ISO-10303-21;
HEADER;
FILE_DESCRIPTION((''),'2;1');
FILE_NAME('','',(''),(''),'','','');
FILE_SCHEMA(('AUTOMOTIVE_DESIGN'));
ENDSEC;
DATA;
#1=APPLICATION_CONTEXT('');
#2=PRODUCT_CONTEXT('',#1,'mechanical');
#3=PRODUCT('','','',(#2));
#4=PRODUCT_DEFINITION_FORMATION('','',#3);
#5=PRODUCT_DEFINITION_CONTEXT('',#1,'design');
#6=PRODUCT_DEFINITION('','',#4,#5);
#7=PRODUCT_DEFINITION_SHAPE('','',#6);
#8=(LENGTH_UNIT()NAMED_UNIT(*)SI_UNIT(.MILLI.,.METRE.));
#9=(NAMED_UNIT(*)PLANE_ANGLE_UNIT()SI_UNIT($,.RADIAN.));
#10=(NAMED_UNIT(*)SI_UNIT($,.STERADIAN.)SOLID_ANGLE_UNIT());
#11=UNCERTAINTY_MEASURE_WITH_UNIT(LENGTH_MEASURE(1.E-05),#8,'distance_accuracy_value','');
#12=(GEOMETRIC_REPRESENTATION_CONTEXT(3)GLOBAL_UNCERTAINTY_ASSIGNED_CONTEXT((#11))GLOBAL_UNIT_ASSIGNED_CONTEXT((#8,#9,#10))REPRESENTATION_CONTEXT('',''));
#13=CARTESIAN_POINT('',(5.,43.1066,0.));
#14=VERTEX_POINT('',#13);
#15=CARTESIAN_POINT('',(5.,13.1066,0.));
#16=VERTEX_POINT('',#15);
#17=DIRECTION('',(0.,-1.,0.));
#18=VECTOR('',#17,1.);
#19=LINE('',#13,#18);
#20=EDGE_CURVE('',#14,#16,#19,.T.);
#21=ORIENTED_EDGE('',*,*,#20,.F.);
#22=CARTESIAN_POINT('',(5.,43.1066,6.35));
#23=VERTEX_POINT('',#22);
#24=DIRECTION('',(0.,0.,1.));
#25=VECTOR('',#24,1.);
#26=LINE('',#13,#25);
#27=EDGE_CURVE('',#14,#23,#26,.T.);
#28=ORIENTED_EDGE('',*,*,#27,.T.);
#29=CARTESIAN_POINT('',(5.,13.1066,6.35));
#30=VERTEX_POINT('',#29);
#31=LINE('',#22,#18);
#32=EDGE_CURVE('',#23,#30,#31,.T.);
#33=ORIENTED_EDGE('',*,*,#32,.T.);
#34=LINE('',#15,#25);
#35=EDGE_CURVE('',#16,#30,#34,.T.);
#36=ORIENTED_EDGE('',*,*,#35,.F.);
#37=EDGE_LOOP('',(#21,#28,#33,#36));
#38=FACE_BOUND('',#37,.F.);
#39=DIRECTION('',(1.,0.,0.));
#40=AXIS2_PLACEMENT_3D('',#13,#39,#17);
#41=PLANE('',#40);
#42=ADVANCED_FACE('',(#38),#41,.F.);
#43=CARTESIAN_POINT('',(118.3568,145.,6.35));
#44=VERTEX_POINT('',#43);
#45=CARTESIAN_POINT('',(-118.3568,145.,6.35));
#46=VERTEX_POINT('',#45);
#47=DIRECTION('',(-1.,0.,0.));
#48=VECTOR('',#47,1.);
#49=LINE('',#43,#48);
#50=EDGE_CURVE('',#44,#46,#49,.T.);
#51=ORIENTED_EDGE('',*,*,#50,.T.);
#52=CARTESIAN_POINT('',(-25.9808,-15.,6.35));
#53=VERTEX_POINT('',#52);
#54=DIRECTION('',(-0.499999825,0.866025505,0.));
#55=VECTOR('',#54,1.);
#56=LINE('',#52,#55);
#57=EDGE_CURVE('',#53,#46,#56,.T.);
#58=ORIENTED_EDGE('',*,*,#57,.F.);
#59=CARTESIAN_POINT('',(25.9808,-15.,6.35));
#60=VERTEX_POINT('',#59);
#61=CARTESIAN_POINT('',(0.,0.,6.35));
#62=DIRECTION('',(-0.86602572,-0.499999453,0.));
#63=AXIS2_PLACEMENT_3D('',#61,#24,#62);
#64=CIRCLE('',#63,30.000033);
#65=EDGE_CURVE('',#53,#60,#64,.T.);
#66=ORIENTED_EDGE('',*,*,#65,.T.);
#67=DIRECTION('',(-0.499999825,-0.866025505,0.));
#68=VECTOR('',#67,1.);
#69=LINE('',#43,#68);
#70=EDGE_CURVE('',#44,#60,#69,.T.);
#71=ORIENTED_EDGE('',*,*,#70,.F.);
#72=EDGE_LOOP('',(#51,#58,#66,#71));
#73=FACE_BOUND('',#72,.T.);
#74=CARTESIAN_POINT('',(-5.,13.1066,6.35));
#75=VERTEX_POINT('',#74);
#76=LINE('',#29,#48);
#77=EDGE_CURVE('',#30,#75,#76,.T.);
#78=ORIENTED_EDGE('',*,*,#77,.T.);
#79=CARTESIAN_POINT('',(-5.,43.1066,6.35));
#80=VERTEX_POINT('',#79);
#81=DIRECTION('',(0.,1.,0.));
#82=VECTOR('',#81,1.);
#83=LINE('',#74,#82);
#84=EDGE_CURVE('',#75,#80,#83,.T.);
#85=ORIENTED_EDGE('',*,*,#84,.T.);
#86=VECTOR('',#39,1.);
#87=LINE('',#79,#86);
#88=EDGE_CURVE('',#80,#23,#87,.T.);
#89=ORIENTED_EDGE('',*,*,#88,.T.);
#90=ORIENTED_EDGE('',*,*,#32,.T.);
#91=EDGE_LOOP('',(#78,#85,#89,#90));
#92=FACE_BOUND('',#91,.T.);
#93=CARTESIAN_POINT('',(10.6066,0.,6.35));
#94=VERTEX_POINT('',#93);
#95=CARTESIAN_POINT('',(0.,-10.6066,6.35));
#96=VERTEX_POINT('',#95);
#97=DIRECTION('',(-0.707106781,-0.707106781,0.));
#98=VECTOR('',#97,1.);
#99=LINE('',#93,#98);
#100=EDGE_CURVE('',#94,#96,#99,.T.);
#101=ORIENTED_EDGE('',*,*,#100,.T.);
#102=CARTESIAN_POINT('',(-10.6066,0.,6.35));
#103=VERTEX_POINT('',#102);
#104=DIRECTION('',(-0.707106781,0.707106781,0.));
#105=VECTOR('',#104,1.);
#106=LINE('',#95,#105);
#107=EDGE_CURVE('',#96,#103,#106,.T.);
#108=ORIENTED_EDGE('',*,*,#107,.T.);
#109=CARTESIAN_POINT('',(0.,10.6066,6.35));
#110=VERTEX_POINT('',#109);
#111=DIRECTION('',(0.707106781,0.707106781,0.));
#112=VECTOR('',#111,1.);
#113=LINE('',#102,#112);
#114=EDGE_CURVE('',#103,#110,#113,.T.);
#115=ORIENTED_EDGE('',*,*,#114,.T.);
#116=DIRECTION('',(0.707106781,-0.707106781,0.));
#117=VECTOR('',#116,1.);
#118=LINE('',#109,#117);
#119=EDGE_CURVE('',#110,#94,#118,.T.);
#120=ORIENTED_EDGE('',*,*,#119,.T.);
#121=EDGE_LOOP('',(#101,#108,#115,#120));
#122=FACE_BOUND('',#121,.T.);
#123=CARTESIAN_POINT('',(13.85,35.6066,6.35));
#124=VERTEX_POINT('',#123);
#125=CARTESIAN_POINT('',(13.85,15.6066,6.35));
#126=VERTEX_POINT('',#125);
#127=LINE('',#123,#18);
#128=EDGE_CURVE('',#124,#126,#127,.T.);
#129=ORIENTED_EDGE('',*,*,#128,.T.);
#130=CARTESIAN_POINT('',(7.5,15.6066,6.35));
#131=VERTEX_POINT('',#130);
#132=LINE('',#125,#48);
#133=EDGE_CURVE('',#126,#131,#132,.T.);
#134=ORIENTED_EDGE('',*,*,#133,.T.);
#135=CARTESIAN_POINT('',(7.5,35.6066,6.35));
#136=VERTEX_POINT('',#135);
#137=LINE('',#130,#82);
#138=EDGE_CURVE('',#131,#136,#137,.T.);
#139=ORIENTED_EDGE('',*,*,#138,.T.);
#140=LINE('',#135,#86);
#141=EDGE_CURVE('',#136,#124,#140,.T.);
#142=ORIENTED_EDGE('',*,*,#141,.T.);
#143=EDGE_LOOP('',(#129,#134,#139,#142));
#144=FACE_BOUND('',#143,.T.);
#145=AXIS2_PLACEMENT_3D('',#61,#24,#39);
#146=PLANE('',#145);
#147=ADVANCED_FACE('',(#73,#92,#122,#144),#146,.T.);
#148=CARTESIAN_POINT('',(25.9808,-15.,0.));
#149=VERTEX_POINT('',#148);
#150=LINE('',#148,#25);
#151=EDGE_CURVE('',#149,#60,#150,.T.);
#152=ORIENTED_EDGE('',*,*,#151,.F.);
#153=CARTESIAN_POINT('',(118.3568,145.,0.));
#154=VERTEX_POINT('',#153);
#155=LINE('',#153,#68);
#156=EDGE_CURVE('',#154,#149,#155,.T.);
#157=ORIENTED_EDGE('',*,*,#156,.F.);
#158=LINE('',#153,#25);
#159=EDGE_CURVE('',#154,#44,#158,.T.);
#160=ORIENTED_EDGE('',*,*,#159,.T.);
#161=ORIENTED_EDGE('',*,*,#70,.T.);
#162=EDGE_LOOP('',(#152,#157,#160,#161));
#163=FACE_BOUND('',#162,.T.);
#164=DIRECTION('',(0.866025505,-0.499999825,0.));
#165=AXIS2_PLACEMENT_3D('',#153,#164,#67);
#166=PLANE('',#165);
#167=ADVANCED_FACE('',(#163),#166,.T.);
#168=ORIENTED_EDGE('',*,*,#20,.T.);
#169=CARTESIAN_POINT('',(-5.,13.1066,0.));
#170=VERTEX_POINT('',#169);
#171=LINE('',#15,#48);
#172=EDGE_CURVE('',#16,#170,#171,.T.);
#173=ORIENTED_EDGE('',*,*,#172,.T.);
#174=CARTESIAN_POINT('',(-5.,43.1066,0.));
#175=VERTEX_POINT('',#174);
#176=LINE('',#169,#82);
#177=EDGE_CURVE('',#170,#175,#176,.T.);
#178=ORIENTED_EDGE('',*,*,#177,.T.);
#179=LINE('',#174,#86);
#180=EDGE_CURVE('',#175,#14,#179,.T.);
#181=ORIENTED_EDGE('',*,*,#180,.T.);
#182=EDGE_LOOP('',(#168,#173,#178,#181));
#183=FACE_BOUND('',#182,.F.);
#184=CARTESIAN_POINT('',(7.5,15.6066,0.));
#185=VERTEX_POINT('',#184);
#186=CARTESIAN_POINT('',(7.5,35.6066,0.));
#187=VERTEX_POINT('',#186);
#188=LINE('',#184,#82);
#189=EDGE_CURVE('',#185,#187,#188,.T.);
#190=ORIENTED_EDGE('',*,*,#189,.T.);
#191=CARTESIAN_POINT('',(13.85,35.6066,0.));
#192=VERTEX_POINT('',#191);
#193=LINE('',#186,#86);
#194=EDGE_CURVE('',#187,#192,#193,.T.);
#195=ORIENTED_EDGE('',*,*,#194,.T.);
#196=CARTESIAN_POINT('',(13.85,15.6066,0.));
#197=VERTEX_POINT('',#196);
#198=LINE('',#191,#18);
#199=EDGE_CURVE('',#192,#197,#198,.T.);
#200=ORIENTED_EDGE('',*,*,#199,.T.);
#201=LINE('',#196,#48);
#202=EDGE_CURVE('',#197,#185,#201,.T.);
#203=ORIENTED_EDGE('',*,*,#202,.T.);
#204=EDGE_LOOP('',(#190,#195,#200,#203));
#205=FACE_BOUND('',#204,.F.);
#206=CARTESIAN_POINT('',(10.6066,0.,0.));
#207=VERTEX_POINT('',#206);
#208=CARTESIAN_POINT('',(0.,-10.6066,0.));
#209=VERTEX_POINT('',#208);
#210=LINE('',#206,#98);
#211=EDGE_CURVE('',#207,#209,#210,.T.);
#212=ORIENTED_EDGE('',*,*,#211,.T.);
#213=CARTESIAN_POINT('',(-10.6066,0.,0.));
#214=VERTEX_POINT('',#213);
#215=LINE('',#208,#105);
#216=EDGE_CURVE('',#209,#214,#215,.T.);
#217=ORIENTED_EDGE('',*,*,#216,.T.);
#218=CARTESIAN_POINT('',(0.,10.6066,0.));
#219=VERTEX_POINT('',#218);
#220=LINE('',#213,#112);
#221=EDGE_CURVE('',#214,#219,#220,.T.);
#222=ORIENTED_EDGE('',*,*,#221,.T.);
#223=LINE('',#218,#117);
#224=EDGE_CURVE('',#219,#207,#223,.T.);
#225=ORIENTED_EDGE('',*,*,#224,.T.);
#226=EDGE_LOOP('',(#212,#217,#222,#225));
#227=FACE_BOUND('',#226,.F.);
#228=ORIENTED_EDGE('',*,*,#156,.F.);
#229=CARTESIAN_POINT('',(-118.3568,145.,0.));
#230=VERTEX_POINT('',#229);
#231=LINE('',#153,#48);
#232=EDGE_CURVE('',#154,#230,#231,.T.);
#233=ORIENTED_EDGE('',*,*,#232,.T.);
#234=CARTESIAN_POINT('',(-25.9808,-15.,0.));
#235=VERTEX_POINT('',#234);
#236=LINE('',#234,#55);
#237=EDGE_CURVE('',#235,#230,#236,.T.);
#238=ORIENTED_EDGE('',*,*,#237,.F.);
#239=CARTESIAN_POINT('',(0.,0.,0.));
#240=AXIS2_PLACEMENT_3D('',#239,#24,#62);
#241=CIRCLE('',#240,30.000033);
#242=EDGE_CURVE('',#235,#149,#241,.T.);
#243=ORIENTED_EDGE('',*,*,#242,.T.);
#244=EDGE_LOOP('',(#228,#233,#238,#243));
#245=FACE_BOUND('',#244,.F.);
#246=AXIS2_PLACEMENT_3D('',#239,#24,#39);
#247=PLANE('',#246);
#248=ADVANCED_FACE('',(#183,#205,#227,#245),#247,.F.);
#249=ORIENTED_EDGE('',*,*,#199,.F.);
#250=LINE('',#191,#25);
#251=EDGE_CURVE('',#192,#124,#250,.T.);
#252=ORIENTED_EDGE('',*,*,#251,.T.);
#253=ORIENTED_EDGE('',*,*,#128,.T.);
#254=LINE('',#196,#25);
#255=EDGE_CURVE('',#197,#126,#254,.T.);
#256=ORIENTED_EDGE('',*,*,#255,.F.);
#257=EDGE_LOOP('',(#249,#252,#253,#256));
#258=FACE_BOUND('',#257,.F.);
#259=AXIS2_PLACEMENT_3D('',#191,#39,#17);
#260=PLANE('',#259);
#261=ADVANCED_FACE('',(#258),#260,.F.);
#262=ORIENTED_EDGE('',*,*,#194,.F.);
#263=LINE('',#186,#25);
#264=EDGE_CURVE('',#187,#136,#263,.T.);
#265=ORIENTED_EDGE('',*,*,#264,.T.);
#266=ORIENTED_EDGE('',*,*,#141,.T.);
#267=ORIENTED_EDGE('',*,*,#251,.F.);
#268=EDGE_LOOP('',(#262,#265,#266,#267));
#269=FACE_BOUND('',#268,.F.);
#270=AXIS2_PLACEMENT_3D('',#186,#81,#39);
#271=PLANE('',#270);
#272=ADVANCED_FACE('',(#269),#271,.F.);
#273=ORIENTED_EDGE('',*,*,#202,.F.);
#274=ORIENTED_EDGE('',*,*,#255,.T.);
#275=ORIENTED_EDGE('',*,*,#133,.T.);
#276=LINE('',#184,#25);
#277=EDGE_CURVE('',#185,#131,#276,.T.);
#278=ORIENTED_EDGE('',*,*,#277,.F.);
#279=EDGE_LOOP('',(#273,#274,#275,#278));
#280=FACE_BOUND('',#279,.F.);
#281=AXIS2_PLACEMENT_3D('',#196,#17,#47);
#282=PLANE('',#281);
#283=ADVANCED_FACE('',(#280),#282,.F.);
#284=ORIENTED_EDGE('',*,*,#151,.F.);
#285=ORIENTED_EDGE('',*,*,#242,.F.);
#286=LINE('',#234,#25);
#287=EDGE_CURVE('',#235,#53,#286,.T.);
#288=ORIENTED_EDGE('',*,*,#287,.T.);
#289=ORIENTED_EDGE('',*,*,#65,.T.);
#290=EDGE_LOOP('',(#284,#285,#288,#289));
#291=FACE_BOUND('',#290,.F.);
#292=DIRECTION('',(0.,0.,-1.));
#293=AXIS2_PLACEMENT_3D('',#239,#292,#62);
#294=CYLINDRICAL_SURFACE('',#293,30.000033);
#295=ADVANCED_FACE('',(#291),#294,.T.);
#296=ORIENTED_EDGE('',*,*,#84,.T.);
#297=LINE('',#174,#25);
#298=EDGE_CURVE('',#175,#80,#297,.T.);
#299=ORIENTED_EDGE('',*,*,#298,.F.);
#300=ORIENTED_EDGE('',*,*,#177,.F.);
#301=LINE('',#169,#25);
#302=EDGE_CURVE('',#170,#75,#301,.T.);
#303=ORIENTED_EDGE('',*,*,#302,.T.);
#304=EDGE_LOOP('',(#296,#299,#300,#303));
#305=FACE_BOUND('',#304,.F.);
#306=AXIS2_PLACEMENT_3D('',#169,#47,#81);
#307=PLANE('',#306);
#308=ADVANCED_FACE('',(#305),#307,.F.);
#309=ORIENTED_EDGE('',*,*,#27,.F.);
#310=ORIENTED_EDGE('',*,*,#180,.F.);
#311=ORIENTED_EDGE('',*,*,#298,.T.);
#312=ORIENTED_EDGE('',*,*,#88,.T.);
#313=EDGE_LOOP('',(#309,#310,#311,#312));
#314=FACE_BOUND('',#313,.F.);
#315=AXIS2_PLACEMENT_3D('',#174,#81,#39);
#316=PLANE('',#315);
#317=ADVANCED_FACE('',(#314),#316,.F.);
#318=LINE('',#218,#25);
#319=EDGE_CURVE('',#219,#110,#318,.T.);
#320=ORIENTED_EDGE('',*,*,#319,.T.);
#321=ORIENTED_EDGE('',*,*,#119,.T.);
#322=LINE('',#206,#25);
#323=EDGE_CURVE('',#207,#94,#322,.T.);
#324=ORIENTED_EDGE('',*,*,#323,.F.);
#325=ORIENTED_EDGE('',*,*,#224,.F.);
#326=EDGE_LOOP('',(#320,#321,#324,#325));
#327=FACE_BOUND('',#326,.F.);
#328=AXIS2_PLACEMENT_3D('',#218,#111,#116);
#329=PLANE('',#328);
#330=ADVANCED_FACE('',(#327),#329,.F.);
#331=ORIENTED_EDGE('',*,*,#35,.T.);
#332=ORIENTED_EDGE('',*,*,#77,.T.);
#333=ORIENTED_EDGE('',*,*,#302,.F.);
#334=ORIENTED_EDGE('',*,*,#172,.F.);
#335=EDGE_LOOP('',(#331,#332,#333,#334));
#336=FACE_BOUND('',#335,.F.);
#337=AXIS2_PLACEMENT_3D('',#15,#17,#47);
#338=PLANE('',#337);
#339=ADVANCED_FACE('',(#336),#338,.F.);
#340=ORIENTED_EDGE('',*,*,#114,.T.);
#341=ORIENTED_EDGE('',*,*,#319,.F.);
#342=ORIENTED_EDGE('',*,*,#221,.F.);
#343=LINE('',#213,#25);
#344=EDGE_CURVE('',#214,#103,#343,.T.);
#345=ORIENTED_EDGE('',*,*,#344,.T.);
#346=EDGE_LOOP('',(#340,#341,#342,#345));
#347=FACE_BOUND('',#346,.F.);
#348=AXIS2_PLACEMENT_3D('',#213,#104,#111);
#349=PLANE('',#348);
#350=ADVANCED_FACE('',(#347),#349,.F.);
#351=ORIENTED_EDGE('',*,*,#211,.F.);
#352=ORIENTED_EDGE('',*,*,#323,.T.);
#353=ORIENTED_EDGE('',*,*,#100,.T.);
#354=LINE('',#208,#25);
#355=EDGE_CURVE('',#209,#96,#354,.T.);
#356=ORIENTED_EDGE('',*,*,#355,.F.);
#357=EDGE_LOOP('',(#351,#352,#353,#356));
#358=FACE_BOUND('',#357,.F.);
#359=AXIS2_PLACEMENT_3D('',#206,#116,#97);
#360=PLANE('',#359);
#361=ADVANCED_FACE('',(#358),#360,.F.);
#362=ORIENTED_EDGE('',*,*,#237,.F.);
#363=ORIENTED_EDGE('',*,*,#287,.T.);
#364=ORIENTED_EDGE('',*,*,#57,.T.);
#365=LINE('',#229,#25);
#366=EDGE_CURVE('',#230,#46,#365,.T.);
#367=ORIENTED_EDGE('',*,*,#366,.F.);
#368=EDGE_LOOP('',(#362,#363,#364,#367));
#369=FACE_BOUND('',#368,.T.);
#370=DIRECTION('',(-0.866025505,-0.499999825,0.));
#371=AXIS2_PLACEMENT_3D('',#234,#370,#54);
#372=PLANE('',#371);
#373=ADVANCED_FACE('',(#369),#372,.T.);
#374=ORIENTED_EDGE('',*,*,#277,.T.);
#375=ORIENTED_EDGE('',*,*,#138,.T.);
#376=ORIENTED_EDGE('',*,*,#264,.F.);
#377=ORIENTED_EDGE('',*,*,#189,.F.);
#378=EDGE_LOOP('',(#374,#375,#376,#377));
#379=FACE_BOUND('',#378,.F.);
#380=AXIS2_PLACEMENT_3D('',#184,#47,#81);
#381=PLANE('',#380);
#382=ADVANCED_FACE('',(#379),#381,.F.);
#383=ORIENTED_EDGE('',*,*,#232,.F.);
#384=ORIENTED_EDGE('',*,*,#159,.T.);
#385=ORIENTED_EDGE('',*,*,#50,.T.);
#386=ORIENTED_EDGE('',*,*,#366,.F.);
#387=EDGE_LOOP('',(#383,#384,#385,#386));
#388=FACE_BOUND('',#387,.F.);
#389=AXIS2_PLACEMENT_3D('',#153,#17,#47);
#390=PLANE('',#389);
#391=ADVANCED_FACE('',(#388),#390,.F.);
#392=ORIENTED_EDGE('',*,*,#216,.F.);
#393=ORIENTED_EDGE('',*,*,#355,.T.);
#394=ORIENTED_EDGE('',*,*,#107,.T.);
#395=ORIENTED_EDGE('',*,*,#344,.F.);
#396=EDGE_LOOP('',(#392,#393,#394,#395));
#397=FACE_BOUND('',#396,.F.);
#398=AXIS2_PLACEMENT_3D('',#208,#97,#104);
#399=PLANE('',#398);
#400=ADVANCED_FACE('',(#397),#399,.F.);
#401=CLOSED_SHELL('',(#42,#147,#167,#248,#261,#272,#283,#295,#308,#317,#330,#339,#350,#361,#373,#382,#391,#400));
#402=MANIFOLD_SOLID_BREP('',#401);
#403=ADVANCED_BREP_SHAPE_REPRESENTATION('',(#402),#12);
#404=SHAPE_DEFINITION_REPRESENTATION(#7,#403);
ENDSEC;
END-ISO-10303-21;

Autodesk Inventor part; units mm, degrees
ref_plane "YZ Plane" through (0, 0, 0) normal (1, 0, 0) x (0, 1, 0)
ref_plane "XZ Plane" through (0, 0, 0) normal (0, 1, 0) x (-1, 0, 0)
ref_plane "XY Plane" through (0, 0, 0) normal (0, 0, 1) x (1, 0, 0)
sketch "Sketch1" plane through (0, 0, 0) normal (0, 0, 1) x (1, 0, 0)
  line L0 (-10.6066, 0) -> (0, 10.6066)
  line L1 (0, 10.6066) -> (10.6066, 0)
  line L2 (10.6066, 0) -> (0, -10.6066)
  line L3 (0, -10.6066) -> (-10.6066, 0)
  arc A0 (-25.9808, -15) -> (25.9808, -15) centre (0, 0) ccw
  line L4 (118.3568, 145) -> (-118.3568, 145)
  line L5 (7.5, 35.6066) -> (13.85, 35.6066)
  line L6 (13.85, 35.6066) -> (13.85, 15.6066)
  line L7 (13.85, 15.6066) -> (7.5, 15.6066)
  line L8 (7.5, 15.6066) -> (7.5, 35.6066)
  line L9 (-5, 43.1066) -> (5, 43.1066)
  line L10 (5, 43.1066) -> (5, 13.1066)
  line L11 (5, 13.1066) -> (-5, 13.1066)
  line L12 (-5, 13.1066) -> (-5, 43.1066)
  line L13 (118.3568, 145) -> (25.9808, -15)
  line L14 (-25.9808, -15) -> (-118.3568, 145)
  point P0 (0, 13.1066)
  dimension "d0" = 15
  dimension "d4" = 30
  dimension "d6" = 6.35
  dimension "d7" = 20
  dimension "d8" = 5
  dimension "d16" = 10
  dimension "d17" = 2.5
  dimension "d18" = 2.5
  dimension "d19" = 30
  dimension "d23" = 60
  dimension "d24" = 175
extrude "Extrusion1" add sketch "Sketch1" along normal blind 6.35
properties part number "Frame_Lower_Plate_Top"
